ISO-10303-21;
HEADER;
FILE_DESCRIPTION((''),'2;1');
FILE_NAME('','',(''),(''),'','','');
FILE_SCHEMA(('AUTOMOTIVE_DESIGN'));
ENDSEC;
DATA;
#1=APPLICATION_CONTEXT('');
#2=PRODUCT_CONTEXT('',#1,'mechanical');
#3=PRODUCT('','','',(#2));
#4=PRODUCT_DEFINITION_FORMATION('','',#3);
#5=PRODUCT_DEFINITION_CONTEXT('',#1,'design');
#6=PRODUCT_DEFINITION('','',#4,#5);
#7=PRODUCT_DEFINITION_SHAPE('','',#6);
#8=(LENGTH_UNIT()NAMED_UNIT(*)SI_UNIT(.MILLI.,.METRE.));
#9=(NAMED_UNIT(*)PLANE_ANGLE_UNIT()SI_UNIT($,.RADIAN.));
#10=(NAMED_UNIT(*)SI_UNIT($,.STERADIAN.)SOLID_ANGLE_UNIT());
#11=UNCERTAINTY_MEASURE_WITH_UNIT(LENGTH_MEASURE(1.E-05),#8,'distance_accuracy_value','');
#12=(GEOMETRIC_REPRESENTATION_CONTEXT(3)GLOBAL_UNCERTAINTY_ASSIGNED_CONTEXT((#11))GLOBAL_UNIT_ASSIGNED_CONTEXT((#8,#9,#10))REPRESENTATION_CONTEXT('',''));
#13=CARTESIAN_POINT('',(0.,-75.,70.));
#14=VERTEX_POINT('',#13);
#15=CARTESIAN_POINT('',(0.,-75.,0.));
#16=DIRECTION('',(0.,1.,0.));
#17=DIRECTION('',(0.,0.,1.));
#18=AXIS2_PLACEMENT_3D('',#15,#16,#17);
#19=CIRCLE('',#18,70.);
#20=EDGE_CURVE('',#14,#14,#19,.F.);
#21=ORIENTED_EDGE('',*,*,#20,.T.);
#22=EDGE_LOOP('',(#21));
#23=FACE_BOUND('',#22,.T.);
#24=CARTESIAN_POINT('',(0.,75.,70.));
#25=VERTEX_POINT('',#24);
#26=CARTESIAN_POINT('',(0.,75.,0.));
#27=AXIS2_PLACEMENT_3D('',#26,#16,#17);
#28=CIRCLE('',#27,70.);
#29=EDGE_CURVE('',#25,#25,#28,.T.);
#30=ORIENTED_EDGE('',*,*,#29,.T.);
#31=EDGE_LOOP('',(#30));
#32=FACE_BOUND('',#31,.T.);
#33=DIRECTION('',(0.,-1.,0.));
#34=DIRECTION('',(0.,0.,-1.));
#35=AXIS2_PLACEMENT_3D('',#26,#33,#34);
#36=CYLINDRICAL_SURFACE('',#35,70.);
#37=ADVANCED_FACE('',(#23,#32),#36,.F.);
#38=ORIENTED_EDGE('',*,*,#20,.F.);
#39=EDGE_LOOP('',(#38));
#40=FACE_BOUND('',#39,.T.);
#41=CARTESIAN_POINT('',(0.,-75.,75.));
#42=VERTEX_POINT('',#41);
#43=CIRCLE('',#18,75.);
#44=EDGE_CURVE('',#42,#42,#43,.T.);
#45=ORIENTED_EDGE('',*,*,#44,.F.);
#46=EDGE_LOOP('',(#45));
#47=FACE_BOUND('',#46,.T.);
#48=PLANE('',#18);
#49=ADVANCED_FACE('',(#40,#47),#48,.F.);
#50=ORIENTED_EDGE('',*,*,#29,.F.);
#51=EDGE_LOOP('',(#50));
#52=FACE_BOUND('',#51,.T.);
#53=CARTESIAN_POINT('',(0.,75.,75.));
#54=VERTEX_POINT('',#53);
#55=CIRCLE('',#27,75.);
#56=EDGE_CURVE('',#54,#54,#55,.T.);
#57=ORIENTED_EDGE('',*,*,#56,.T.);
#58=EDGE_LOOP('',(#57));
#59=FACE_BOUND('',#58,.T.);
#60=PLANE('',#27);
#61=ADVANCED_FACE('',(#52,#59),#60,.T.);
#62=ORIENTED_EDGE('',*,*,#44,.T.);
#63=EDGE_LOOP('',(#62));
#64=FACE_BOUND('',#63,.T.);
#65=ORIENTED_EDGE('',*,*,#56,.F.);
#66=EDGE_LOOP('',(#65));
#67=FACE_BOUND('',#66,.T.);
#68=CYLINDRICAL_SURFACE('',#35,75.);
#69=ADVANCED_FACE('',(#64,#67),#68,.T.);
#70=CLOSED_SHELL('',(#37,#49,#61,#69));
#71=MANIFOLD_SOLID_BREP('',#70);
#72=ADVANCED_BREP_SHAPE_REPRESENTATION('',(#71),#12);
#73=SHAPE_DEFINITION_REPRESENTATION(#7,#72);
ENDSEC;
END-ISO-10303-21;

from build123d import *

# Parameters (mm, degrees)
SKETCH1_R               = 75
BOSS_EXTRUDE1_DEPTH     = 75
CUT_EXTRUDE1_DEPTH      = 130.903810568
CUT_EXTRUDE1_DEPTH_BACK = 95
SKETCH2_R               = 70
SKETCH3_R               = 7.5
CUT_EXTRUDE2_DEPTH      = 201.374649095


with BuildPart() as part:
    # Sketch1 → Boss-Extrude1 (new, symmetric)
    with BuildSketch(Plane(origin=(0, 0, 0), x_dir=(1, 0, 0), z_dir=(0, 1, 0))):
        with Locations(Location((0, 0, 0), (0, 0, 270))):
            Circle(SKETCH1_R)
    extrude(amount=BOSS_EXTRUDE1_DEPTH, both=True)

    # Sketch2 → Cut-Extrude1 (cut, two sides: drawn at the far end of the back side and taken through both)
    with BuildSketch(Plane(origin=(0, 0, 0), x_dir=(1, 0, 0), z_dir=(0, 1, 0)).offset(-CUT_EXTRUDE1_DEPTH_BACK)):
        with Locations(Location((0, 0, 0), (0, 0, 270))):
            Circle(SKETCH2_R)
    extrude(amount=CUT_EXTRUDE1_DEPTH + CUT_EXTRUDE1_DEPTH_BACK, mode=Mode.SUBTRACT)

    # Sketch3 → Cut-Extrude2 (cut, through all)
    with BuildSketch(Plane(origin=(0, -95, 0), x_dir=(1, 0, 0), z_dir=(0, 1, 0))):
        Circle(SKETCH3_R)
    extrude(amount=-CUT_EXTRUDE2_DEPTH, mode=Mode.SUBTRACT)


solid = part.part
